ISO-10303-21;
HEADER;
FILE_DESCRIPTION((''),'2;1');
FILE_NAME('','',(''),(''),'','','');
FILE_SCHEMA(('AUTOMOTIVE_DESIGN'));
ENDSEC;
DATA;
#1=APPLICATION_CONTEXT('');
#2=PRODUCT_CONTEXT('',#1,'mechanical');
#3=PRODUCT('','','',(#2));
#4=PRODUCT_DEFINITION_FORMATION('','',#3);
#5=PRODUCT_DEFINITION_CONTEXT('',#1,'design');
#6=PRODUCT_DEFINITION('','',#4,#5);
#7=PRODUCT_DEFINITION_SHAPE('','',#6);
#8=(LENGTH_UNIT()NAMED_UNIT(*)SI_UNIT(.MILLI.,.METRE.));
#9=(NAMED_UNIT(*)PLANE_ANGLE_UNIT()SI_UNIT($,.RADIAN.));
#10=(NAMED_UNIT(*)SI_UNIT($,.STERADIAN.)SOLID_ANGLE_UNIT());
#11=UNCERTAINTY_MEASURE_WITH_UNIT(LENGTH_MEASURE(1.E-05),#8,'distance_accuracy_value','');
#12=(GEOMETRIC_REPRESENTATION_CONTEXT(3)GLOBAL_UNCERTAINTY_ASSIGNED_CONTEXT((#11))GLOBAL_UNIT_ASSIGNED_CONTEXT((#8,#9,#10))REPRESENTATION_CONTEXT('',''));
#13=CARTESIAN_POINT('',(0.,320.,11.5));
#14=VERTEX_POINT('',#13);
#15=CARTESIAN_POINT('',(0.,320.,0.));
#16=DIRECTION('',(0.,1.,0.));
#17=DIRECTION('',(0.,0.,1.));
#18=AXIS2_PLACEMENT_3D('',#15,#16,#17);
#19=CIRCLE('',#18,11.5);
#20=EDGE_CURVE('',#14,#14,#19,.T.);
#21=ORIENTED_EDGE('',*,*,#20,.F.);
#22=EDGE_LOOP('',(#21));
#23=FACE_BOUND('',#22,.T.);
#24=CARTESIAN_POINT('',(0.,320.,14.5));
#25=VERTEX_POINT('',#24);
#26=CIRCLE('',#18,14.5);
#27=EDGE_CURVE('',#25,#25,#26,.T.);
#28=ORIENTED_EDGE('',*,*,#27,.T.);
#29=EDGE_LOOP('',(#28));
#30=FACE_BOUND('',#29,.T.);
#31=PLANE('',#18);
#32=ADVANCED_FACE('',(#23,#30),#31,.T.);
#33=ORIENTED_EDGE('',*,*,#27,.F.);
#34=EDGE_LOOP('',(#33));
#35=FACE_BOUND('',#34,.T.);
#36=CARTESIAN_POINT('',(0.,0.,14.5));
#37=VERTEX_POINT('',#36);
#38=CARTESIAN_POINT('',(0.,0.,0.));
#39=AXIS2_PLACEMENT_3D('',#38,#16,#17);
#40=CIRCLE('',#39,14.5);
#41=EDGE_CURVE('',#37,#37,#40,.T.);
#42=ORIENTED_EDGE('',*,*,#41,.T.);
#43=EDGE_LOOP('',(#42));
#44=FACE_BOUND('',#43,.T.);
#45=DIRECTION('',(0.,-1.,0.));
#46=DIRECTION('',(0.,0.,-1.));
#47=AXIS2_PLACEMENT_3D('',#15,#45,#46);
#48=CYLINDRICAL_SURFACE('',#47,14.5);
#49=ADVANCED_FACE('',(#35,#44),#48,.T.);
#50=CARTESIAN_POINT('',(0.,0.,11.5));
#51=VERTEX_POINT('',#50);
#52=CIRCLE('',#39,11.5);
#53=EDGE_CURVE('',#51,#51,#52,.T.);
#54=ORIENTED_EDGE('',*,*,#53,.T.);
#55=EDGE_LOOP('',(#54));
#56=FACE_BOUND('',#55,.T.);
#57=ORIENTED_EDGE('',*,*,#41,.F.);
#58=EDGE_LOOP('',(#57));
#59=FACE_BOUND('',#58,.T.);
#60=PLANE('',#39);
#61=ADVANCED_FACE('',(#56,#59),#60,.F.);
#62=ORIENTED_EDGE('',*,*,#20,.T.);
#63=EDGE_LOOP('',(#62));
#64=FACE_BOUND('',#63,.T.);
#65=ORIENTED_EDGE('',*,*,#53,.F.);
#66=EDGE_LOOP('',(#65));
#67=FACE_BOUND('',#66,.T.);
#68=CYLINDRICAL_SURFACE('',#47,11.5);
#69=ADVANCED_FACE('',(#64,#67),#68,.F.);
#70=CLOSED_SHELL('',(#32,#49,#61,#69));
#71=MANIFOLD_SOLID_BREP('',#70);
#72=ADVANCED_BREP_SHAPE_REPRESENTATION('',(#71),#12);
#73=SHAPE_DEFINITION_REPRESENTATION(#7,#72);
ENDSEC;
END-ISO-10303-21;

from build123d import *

# Parameters (mm, degrees)
SKETCH1_R           = 14.5
BOSS_EXTRUDE1_DEPTH = 320
SHELL1_T            = -3


with BuildPart() as part:
    # Sketch1 → Boss-Extrude1 (new body)
    with BuildSketch(Plane(origin=(0, 0, 0), x_dir=(1, 0, 0), z_dir=(0, 1, 0))):
        with Locations(Location((0, 0, 0), (0, 0, 270))):
            Circle(SKETCH1_R)
    extrude(amount=BOSS_EXTRUDE1_DEPTH)

    # Shell1
    shell1_openings = [part.faces().sort_by_distance(p)[0] for p in [
        (0, 320, 0),
        (0, 0, 0),
    ]]
    offset(amount=SHELL1_T, openings=shell1_openings, kind=Kind.INTERSECTION)


solid = part.part
